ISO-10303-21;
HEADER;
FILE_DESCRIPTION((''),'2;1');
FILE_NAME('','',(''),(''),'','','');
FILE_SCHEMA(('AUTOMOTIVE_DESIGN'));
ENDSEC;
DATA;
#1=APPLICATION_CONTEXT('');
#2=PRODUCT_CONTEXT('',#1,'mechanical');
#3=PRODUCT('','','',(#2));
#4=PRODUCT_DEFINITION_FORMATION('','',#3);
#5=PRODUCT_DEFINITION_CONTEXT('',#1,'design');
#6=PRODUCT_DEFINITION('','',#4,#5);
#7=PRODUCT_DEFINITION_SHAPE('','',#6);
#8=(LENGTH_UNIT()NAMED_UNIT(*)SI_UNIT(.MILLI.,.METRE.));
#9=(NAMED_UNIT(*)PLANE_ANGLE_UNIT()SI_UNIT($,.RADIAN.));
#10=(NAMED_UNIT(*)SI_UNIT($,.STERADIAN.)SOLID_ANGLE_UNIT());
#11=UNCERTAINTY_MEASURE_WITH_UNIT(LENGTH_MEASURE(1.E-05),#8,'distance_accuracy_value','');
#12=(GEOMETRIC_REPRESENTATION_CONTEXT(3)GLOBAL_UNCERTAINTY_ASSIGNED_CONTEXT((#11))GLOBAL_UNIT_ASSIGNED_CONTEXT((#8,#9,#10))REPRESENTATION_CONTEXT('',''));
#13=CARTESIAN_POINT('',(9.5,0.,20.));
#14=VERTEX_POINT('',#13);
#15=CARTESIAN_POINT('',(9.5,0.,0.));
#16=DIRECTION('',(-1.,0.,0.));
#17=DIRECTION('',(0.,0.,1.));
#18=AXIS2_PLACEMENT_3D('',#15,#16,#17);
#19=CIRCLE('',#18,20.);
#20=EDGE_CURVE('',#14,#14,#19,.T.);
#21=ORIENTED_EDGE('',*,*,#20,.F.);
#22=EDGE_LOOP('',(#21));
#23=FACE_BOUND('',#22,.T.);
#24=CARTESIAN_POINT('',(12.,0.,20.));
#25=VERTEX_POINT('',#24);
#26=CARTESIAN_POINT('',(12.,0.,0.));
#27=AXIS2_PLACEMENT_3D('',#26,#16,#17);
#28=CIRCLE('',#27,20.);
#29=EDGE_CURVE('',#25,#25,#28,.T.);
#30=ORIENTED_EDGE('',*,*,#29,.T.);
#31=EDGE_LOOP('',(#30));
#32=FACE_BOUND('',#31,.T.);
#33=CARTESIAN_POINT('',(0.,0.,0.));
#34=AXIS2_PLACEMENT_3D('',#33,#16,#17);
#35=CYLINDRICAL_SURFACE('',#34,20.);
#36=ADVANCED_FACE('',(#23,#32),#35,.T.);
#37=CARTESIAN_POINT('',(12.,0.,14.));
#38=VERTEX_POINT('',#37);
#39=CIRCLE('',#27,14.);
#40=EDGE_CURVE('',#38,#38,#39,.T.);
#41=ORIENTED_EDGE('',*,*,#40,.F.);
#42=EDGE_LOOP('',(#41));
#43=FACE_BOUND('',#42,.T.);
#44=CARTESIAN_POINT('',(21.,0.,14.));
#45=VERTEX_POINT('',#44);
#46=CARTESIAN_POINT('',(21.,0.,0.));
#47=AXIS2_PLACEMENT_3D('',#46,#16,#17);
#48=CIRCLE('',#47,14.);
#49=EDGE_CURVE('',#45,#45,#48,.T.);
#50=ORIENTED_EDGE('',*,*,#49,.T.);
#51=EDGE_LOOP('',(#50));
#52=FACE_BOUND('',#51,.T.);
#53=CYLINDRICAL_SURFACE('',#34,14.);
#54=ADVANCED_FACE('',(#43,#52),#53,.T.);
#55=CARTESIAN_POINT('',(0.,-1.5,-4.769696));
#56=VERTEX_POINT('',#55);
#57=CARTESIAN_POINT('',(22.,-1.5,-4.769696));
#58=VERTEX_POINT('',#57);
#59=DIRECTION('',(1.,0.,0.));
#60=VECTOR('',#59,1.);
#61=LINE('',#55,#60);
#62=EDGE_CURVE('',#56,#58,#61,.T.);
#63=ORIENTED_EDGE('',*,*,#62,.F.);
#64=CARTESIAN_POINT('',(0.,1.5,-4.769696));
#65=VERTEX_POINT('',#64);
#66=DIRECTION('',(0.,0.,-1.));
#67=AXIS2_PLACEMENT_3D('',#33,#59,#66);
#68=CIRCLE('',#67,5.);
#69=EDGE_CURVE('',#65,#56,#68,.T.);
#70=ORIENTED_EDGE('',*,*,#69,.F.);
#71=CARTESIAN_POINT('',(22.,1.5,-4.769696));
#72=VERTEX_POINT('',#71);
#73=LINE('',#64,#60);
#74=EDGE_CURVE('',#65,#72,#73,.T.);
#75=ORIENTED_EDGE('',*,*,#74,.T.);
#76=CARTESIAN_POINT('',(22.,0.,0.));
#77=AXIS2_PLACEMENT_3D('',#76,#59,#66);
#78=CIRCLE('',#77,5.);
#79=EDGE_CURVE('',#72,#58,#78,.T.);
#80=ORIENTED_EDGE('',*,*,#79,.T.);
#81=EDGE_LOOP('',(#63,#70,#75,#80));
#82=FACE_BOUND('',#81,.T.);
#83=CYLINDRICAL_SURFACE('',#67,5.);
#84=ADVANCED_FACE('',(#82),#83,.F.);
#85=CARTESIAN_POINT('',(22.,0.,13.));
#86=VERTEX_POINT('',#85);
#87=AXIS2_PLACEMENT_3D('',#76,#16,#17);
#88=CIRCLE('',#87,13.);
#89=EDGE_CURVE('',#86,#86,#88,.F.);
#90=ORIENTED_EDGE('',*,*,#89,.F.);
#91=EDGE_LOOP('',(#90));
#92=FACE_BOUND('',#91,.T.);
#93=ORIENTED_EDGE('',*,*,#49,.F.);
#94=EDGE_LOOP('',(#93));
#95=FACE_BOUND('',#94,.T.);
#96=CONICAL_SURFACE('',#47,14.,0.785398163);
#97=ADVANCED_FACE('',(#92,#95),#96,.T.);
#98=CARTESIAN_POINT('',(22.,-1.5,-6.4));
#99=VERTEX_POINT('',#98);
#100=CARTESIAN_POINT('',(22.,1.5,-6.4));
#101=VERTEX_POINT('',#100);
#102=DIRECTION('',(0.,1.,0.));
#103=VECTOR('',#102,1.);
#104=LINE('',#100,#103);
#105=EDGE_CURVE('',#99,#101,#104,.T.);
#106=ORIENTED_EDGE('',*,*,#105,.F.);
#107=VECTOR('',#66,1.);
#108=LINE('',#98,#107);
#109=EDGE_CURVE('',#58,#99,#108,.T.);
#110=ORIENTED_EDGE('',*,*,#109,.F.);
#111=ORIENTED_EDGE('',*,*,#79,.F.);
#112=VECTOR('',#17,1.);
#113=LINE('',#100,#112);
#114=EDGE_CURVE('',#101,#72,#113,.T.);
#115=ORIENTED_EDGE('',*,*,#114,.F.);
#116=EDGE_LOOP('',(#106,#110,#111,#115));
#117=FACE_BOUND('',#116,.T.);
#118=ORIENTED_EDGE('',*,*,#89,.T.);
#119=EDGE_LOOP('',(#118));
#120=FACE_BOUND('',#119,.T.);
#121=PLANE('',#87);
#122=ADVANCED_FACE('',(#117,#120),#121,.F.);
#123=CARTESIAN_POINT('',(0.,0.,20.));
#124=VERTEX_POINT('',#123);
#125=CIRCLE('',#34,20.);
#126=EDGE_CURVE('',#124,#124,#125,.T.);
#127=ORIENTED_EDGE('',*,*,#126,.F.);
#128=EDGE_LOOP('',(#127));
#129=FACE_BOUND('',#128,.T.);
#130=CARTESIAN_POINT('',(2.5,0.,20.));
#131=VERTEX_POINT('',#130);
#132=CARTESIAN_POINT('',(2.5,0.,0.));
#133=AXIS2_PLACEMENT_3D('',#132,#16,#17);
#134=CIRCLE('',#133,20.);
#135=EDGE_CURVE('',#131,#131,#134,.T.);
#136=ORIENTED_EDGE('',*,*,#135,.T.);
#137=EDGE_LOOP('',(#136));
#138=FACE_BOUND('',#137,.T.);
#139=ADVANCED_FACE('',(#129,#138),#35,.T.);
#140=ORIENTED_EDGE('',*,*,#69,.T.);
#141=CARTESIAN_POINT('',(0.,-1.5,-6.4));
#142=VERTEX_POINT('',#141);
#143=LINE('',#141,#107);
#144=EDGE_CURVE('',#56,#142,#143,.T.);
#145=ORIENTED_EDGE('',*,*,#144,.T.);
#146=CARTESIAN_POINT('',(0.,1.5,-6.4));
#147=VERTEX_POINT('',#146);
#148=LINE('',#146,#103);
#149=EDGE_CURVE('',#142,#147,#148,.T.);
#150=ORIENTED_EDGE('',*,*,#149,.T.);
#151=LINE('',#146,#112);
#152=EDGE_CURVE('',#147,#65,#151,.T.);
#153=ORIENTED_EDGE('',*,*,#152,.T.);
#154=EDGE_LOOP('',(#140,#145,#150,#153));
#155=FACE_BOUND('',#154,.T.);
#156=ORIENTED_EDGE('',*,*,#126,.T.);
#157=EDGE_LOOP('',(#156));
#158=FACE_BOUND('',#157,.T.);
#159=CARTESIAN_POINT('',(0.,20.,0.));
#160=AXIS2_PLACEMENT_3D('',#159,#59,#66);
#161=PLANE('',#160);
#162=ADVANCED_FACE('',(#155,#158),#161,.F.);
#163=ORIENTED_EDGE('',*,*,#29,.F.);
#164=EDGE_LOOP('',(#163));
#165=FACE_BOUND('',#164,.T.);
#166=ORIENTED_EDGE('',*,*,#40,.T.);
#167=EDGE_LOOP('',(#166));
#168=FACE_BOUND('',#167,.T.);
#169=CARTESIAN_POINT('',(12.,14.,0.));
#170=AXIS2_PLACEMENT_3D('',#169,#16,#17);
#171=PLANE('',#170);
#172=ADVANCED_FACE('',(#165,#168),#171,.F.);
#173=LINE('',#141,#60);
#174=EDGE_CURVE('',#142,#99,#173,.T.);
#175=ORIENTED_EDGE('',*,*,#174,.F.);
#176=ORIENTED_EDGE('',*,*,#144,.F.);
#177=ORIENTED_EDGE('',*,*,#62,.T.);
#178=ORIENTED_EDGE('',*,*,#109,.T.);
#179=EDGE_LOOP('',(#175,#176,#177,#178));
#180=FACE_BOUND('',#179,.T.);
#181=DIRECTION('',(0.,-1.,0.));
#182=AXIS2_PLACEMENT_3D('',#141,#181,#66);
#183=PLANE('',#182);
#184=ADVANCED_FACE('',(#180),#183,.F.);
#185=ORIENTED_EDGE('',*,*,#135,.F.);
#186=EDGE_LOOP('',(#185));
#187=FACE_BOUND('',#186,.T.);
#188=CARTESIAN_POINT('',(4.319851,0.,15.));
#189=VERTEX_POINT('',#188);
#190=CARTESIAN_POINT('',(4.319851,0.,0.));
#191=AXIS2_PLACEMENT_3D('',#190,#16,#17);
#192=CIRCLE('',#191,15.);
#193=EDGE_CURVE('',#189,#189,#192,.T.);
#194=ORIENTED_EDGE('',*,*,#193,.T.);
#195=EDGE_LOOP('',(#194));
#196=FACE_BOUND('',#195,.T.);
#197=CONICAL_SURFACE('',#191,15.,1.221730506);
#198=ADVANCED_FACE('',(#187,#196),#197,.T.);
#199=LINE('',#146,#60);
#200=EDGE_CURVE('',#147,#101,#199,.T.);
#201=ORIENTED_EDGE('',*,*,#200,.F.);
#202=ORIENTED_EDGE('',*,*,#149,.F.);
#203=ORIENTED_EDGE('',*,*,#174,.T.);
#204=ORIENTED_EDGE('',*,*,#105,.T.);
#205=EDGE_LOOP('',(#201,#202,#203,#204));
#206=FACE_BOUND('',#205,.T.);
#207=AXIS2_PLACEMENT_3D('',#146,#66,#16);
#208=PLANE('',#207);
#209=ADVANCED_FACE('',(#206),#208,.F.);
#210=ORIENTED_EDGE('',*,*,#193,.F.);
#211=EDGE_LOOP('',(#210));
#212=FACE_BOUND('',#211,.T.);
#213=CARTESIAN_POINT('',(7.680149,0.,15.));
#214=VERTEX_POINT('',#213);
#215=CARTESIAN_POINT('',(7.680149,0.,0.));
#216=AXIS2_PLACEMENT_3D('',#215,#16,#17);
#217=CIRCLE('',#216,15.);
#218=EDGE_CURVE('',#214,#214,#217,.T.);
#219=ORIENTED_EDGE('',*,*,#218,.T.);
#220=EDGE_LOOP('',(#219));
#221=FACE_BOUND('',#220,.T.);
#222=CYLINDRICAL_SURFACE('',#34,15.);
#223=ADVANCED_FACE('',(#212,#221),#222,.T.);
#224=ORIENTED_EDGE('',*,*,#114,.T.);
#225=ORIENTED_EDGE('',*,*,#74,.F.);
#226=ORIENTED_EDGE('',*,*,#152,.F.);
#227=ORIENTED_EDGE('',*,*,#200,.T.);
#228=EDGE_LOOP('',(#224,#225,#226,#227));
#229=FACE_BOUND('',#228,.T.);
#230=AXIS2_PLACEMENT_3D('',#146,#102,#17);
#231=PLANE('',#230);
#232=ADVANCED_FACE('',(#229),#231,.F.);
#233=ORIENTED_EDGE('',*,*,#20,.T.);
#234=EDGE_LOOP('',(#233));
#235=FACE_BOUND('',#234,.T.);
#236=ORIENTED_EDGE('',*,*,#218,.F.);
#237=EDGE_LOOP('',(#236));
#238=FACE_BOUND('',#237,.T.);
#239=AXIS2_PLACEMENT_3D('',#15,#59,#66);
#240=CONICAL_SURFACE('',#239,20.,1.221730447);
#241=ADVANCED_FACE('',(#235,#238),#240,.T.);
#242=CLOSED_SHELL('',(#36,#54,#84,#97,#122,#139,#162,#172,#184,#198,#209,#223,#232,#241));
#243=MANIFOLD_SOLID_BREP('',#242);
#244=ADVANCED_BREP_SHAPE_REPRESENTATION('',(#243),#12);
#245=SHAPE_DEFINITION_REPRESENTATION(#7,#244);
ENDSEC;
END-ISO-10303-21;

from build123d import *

# Parameters (mm, degrees)
CUT_EXTRUDE1_DEPTH = 23
CHAMFER1_SIZE      = 1


with BuildPart() as part:
    # Sketch2 → Revolve1 (revolve)
    with BuildSketch(Plane.XY):
        Polygon((0, 0), (22, 0), (22, 14), (12, 14), (12, 20), (9.5, 20), (7.680148663, 15), (4.319851044, 15), (2.5, 20.000000107), (0, 20.000000107), align=None)
    revolve(axis=Axis((0, 0, 0), (1, 0, 0)))

    # Sketch3 → Cut-Extrude1 (cut, through all)
    with BuildSketch(Plane(origin=(22, 0, 0), x_dir=(0, 0, -1), z_dir=(1, 0, 0))):
        with BuildLine():
            Line((6.4, 1.5), (6.4, -1.5))
            Line((6.4, -1.5), (4.769696007, -1.5))
            ThreePointArc((4.769696007, -1.5), (-5, 0), (4.769696007, 1.5))
            Line((4.769696007, 1.5), (6.4, 1.5))
        make_face()
    extrude(amount=-CUT_EXTRUDE1_DEPTH, mode=Mode.SUBTRACT)

    # Chamfer1
    chamfer1_edges = [part.edges().sort_by_distance(p)[0] for p in [
        (22, -14, 0),
    ]]
    chamfer(chamfer1_edges, length=CHAMFER1_SIZE)


solid = part.part
